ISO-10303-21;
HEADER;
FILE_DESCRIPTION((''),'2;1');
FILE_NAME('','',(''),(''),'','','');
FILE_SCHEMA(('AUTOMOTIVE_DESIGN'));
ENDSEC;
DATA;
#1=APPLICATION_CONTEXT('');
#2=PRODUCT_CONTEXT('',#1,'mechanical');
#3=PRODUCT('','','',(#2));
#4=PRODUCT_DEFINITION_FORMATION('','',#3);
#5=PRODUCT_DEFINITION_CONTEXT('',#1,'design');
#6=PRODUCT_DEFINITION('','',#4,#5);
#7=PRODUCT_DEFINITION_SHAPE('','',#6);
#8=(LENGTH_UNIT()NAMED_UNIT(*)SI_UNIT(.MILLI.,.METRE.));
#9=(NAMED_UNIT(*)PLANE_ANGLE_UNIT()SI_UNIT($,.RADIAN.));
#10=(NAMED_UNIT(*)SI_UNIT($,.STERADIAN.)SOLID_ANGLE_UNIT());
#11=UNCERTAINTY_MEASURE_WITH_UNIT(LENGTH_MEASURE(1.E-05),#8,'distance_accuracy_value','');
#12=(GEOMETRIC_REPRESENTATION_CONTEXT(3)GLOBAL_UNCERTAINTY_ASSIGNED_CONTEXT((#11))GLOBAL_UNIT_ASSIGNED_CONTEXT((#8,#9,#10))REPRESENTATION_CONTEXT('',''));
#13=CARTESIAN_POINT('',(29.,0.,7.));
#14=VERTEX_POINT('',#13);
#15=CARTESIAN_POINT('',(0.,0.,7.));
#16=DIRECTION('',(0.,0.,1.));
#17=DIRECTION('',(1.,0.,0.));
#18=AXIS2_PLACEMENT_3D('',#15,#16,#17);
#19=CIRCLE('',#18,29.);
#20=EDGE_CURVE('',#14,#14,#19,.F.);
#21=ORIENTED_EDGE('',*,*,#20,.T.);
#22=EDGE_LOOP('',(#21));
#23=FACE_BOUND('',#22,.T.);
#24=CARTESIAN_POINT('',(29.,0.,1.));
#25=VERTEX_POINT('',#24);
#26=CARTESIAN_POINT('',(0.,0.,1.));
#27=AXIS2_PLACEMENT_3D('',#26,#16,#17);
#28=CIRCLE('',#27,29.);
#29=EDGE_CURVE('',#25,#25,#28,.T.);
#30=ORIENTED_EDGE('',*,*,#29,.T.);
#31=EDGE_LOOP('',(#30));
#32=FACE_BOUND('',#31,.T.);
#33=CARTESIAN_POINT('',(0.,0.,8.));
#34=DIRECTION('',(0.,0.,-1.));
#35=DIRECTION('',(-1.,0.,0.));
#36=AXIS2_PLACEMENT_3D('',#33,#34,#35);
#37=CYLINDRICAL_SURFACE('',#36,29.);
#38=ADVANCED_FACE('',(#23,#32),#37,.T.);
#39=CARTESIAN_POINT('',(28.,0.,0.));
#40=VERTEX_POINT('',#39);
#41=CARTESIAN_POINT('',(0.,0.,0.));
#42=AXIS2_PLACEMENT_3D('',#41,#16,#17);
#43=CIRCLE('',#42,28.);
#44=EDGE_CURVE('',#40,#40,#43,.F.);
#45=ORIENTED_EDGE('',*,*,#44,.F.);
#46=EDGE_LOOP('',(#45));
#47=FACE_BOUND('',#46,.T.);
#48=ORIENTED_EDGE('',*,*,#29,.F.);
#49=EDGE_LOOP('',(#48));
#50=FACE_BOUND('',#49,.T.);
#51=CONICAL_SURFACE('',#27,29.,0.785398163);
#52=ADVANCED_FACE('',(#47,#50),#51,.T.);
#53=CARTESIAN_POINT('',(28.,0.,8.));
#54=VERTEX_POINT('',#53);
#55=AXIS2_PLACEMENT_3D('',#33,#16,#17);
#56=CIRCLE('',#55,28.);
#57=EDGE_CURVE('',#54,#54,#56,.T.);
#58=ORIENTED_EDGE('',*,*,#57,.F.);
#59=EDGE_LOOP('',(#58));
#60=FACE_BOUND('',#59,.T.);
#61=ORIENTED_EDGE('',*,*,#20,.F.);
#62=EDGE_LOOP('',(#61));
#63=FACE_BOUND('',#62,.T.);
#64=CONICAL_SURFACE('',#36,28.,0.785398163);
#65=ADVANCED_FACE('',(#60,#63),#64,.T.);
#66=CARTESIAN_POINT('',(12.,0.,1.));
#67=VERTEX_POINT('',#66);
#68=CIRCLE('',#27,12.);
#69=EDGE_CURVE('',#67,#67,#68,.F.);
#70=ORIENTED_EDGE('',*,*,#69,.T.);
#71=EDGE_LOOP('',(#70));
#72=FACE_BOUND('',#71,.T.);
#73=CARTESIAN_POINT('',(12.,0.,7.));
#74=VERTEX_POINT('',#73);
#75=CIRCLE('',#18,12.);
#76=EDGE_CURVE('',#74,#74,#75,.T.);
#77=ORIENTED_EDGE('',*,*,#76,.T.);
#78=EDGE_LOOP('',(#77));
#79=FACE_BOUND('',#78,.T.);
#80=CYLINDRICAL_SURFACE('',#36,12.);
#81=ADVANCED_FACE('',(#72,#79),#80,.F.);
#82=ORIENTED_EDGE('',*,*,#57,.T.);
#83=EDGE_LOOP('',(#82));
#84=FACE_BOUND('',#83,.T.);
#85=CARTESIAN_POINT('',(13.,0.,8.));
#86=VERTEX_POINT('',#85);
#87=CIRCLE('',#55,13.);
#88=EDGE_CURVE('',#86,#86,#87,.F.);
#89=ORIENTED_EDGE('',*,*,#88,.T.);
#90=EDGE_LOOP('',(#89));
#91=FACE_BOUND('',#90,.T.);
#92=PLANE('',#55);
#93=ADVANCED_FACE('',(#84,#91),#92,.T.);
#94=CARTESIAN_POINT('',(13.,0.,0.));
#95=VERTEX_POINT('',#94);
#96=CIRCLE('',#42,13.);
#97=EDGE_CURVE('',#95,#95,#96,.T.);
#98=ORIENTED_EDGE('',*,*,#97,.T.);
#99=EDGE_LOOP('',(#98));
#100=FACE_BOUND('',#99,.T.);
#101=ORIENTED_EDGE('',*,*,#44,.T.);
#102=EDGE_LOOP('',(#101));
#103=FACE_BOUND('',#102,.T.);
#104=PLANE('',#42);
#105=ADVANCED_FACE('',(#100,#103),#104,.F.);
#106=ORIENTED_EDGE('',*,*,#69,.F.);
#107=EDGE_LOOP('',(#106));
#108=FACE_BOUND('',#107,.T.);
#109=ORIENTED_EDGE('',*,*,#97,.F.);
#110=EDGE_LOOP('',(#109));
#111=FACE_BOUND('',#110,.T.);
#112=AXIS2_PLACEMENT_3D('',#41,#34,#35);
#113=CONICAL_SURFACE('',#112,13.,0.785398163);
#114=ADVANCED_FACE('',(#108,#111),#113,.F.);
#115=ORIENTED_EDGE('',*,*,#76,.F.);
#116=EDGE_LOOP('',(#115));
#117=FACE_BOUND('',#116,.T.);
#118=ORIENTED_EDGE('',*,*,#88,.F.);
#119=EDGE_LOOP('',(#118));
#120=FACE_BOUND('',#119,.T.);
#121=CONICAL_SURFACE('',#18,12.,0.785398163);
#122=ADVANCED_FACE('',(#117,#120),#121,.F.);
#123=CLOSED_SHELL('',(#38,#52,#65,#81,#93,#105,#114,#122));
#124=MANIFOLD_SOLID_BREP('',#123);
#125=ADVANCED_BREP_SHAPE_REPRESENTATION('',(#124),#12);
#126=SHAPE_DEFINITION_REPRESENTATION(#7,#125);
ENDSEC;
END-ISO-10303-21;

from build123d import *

# Parameters (mm, degrees)
SKETCH1_R           = 29
SKETCH1_R_2         = 12
BOSS_EXTRUDE1_DEPTH = 8
CHAMFER1_SIZE       = 1
CHAMFER2_SIZE       = 1


with BuildPart() as part:
    # Sketch1 → Boss-Extrude1 (new body)
    with BuildSketch(Plane.XY):
        Circle(SKETCH1_R)
        Circle(SKETCH1_R_2, mode=Mode.SUBTRACT)
    extrude(amount=BOSS_EXTRUDE1_DEPTH)

    # Chamfer1
    chamfer1_edges = [part.edges().sort_by_distance(p)[0] for p in [
        (-12, 0, 0),
        (-12, 0, 8),
    ]]
    chamfer(chamfer1_edges, length=CHAMFER1_SIZE)

    # Chamfer2
    chamfer2_edges = [part.edges().sort_by_distance(p)[0] for p in [
        (-29, 0, 0),
        (-29, 0, 8),
    ]]
    chamfer(chamfer2_edges, length=CHAMFER2_SIZE)


solid = part.part
